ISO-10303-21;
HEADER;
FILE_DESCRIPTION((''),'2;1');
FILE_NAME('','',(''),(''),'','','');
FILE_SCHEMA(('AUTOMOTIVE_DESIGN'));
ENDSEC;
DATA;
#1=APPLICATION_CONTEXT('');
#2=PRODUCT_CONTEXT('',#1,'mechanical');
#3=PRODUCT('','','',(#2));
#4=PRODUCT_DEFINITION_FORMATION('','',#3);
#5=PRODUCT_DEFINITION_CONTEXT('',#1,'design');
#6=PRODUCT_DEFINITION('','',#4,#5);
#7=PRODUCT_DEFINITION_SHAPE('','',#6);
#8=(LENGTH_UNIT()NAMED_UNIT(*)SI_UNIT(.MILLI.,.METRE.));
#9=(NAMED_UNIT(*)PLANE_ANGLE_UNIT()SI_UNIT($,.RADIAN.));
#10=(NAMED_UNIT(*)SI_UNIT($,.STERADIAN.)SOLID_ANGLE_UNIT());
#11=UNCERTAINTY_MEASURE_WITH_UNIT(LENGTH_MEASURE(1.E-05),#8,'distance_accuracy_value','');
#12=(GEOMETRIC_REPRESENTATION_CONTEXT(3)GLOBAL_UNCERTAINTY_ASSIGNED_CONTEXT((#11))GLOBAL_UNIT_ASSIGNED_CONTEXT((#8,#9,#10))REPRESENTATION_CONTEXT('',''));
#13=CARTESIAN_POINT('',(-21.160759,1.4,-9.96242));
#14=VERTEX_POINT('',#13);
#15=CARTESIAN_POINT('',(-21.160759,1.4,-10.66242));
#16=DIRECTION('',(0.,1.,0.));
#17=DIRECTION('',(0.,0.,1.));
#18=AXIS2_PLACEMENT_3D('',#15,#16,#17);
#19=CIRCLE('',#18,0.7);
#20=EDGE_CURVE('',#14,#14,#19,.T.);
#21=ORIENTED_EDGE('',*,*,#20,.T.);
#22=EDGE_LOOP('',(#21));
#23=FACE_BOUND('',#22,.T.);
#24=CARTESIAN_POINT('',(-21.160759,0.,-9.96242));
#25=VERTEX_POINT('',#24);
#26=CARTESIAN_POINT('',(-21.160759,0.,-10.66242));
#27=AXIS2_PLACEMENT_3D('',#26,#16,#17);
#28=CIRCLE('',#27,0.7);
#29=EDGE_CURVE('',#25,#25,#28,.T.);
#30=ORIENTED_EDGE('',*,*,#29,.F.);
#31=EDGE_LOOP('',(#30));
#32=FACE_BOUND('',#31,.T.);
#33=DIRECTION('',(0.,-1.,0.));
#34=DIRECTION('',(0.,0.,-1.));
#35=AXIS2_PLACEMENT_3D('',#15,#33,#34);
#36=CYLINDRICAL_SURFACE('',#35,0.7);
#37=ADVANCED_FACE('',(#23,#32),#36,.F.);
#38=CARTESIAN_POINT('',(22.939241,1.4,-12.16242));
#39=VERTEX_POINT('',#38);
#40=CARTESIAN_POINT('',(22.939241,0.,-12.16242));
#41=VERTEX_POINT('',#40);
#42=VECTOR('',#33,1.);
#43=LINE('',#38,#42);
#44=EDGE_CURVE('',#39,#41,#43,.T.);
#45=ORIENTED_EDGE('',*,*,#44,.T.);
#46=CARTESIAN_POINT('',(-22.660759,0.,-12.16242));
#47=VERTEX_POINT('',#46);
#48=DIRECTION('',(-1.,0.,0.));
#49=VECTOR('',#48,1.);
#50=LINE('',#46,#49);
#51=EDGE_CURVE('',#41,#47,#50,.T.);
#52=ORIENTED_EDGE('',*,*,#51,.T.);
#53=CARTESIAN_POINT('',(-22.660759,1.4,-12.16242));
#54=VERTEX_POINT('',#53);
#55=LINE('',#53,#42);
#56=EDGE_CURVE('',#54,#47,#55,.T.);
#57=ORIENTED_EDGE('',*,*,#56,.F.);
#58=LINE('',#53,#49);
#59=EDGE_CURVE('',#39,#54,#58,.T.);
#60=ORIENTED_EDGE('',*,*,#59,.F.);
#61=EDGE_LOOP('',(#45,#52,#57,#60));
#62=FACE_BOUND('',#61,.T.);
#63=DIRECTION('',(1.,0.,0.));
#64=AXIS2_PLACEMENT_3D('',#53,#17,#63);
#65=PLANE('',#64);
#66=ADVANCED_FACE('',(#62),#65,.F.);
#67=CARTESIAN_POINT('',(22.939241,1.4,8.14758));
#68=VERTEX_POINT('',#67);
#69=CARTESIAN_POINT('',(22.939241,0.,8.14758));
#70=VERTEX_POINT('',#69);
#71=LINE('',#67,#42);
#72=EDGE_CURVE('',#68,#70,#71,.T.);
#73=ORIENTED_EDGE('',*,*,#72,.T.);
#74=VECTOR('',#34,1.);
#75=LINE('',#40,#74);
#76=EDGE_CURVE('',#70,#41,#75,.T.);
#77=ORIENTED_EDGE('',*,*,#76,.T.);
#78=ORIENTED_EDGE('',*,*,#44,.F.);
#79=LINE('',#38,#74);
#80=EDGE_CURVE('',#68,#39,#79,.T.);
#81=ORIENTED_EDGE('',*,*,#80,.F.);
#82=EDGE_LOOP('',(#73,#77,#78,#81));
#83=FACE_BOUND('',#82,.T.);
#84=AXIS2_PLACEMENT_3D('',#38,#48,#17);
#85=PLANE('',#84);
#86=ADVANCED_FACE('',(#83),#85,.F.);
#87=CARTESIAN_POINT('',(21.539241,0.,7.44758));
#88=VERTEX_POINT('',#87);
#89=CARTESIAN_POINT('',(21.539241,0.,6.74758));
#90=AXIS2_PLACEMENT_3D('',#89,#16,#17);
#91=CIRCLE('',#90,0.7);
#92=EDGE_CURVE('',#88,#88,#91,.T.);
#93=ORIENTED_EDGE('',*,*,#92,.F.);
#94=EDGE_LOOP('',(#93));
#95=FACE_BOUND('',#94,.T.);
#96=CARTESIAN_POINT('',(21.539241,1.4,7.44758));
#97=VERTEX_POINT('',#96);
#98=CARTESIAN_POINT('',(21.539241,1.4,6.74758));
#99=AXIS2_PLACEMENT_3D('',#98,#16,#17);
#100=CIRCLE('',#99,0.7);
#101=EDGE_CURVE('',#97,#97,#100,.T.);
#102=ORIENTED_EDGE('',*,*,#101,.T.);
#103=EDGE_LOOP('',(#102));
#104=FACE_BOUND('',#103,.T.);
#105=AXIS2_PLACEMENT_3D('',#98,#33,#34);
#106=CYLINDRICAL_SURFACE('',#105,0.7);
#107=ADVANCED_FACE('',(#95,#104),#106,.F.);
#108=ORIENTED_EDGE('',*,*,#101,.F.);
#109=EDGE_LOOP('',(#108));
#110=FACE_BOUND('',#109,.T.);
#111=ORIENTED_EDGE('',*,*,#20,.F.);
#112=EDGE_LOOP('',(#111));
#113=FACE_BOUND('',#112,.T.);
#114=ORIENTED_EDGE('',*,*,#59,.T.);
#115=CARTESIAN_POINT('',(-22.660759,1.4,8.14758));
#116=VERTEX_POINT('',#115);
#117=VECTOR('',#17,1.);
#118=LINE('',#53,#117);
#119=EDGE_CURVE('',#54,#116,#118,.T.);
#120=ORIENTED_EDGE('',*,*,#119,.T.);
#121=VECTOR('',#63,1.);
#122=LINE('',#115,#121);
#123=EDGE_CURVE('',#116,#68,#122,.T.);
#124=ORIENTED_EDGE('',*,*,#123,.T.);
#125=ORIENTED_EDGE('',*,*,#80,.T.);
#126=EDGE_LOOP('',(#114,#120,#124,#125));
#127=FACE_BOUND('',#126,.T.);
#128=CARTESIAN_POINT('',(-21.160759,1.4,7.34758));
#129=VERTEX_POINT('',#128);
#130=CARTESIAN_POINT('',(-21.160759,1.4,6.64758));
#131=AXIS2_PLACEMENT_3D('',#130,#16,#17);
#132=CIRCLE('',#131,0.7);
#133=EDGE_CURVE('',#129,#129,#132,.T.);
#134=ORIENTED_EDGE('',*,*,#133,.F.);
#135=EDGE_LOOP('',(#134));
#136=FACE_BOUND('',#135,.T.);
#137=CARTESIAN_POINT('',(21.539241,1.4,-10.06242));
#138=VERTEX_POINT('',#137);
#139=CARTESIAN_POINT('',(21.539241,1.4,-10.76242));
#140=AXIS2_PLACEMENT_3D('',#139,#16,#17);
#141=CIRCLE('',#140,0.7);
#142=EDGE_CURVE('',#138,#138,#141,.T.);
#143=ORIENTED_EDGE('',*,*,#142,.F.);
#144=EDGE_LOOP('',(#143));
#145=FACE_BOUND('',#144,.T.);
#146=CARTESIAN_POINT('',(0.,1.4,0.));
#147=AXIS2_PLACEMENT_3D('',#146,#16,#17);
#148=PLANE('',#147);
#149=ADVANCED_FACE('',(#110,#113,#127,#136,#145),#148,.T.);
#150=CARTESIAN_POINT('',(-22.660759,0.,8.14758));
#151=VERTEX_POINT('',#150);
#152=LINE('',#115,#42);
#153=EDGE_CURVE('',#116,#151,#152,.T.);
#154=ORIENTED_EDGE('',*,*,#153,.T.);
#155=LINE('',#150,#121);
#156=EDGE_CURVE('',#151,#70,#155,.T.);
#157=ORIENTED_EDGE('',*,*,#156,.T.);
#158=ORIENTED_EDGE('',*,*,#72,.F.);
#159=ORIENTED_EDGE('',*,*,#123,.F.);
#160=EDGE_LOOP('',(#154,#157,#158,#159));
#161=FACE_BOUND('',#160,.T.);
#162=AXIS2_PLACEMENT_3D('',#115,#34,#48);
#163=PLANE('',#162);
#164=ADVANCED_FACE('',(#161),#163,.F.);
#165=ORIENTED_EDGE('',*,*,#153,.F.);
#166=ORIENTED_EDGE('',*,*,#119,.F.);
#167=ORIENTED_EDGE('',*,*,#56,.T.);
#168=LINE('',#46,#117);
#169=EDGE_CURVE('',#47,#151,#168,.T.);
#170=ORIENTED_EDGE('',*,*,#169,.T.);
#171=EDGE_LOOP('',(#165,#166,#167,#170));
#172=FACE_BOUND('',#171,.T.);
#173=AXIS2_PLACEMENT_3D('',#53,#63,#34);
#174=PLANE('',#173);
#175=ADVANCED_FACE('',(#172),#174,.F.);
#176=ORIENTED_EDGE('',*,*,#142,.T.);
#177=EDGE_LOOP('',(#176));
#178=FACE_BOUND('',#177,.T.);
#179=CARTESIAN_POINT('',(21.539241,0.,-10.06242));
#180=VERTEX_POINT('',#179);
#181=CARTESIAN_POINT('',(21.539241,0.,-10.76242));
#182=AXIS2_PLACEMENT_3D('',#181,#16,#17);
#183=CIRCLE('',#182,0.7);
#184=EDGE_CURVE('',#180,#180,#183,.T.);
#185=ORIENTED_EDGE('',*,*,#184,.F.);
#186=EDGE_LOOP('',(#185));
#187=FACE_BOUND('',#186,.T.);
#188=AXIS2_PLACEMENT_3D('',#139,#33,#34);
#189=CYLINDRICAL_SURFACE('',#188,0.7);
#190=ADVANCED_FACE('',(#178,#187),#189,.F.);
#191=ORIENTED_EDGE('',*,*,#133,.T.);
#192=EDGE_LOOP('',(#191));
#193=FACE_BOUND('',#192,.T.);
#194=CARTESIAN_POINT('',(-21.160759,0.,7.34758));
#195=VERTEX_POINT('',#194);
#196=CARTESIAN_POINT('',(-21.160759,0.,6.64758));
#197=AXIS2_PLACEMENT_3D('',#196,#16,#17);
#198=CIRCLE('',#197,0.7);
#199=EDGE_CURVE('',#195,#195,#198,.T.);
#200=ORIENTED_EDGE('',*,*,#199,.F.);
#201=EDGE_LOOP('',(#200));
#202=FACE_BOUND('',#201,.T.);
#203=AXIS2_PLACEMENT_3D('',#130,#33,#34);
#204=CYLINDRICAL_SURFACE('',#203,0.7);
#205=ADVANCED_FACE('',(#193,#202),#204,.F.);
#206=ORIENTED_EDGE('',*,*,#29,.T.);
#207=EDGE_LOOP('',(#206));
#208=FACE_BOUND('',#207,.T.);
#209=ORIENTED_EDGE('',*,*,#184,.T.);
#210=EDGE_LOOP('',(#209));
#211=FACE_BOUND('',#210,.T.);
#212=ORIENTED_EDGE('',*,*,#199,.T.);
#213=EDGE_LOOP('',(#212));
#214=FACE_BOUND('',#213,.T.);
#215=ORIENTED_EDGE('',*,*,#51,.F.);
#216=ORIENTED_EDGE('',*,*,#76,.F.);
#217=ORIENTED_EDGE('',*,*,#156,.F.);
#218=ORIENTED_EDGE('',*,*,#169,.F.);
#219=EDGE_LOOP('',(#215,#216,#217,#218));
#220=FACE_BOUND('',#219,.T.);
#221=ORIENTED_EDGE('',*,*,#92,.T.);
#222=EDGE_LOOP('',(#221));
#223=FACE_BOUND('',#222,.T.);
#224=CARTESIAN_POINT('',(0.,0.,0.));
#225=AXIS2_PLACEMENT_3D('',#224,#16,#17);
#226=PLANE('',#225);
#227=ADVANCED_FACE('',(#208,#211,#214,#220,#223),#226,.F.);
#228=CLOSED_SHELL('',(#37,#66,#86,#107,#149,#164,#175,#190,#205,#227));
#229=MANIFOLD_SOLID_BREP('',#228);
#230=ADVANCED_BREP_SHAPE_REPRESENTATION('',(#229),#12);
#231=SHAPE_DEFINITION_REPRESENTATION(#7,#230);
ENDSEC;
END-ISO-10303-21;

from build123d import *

# Parameters (mm, degrees)
SKETCH1_W           = 45.6
SKETCH1_H           = 20.31
SKETCH1_R           = 0.7
BOSS_EXTRUDE1_DEPTH = 1.4


with BuildPart() as part:
    # Sketch1 → Boss-Extrude1 (new body)
    with BuildSketch(Plane(origin=(0, 0, 0), x_dir=(1, 0, 0), z_dir=(0, 1, 0))):
        with Locations((0.139240669, 2.007420382)):
            Rectangle(SKETCH1_W, SKETCH1_H)
        with Locations((-21.160759331, 10.662420382)):
            Circle(SKETCH1_R, mode=Mode.SUBTRACT)
        with Locations((-21.160759331, -6.647579618)):
            Circle(SKETCH1_R, mode=Mode.SUBTRACT)
        with Locations((21.539240669, 10.762420382)):
            Circle(SKETCH1_R, mode=Mode.SUBTRACT)
        with Locations((21.539240669, -6.747579618)):
            Circle(SKETCH1_R, mode=Mode.SUBTRACT)
    extrude(amount=BOSS_EXTRUDE1_DEPTH)


solid = part.part
